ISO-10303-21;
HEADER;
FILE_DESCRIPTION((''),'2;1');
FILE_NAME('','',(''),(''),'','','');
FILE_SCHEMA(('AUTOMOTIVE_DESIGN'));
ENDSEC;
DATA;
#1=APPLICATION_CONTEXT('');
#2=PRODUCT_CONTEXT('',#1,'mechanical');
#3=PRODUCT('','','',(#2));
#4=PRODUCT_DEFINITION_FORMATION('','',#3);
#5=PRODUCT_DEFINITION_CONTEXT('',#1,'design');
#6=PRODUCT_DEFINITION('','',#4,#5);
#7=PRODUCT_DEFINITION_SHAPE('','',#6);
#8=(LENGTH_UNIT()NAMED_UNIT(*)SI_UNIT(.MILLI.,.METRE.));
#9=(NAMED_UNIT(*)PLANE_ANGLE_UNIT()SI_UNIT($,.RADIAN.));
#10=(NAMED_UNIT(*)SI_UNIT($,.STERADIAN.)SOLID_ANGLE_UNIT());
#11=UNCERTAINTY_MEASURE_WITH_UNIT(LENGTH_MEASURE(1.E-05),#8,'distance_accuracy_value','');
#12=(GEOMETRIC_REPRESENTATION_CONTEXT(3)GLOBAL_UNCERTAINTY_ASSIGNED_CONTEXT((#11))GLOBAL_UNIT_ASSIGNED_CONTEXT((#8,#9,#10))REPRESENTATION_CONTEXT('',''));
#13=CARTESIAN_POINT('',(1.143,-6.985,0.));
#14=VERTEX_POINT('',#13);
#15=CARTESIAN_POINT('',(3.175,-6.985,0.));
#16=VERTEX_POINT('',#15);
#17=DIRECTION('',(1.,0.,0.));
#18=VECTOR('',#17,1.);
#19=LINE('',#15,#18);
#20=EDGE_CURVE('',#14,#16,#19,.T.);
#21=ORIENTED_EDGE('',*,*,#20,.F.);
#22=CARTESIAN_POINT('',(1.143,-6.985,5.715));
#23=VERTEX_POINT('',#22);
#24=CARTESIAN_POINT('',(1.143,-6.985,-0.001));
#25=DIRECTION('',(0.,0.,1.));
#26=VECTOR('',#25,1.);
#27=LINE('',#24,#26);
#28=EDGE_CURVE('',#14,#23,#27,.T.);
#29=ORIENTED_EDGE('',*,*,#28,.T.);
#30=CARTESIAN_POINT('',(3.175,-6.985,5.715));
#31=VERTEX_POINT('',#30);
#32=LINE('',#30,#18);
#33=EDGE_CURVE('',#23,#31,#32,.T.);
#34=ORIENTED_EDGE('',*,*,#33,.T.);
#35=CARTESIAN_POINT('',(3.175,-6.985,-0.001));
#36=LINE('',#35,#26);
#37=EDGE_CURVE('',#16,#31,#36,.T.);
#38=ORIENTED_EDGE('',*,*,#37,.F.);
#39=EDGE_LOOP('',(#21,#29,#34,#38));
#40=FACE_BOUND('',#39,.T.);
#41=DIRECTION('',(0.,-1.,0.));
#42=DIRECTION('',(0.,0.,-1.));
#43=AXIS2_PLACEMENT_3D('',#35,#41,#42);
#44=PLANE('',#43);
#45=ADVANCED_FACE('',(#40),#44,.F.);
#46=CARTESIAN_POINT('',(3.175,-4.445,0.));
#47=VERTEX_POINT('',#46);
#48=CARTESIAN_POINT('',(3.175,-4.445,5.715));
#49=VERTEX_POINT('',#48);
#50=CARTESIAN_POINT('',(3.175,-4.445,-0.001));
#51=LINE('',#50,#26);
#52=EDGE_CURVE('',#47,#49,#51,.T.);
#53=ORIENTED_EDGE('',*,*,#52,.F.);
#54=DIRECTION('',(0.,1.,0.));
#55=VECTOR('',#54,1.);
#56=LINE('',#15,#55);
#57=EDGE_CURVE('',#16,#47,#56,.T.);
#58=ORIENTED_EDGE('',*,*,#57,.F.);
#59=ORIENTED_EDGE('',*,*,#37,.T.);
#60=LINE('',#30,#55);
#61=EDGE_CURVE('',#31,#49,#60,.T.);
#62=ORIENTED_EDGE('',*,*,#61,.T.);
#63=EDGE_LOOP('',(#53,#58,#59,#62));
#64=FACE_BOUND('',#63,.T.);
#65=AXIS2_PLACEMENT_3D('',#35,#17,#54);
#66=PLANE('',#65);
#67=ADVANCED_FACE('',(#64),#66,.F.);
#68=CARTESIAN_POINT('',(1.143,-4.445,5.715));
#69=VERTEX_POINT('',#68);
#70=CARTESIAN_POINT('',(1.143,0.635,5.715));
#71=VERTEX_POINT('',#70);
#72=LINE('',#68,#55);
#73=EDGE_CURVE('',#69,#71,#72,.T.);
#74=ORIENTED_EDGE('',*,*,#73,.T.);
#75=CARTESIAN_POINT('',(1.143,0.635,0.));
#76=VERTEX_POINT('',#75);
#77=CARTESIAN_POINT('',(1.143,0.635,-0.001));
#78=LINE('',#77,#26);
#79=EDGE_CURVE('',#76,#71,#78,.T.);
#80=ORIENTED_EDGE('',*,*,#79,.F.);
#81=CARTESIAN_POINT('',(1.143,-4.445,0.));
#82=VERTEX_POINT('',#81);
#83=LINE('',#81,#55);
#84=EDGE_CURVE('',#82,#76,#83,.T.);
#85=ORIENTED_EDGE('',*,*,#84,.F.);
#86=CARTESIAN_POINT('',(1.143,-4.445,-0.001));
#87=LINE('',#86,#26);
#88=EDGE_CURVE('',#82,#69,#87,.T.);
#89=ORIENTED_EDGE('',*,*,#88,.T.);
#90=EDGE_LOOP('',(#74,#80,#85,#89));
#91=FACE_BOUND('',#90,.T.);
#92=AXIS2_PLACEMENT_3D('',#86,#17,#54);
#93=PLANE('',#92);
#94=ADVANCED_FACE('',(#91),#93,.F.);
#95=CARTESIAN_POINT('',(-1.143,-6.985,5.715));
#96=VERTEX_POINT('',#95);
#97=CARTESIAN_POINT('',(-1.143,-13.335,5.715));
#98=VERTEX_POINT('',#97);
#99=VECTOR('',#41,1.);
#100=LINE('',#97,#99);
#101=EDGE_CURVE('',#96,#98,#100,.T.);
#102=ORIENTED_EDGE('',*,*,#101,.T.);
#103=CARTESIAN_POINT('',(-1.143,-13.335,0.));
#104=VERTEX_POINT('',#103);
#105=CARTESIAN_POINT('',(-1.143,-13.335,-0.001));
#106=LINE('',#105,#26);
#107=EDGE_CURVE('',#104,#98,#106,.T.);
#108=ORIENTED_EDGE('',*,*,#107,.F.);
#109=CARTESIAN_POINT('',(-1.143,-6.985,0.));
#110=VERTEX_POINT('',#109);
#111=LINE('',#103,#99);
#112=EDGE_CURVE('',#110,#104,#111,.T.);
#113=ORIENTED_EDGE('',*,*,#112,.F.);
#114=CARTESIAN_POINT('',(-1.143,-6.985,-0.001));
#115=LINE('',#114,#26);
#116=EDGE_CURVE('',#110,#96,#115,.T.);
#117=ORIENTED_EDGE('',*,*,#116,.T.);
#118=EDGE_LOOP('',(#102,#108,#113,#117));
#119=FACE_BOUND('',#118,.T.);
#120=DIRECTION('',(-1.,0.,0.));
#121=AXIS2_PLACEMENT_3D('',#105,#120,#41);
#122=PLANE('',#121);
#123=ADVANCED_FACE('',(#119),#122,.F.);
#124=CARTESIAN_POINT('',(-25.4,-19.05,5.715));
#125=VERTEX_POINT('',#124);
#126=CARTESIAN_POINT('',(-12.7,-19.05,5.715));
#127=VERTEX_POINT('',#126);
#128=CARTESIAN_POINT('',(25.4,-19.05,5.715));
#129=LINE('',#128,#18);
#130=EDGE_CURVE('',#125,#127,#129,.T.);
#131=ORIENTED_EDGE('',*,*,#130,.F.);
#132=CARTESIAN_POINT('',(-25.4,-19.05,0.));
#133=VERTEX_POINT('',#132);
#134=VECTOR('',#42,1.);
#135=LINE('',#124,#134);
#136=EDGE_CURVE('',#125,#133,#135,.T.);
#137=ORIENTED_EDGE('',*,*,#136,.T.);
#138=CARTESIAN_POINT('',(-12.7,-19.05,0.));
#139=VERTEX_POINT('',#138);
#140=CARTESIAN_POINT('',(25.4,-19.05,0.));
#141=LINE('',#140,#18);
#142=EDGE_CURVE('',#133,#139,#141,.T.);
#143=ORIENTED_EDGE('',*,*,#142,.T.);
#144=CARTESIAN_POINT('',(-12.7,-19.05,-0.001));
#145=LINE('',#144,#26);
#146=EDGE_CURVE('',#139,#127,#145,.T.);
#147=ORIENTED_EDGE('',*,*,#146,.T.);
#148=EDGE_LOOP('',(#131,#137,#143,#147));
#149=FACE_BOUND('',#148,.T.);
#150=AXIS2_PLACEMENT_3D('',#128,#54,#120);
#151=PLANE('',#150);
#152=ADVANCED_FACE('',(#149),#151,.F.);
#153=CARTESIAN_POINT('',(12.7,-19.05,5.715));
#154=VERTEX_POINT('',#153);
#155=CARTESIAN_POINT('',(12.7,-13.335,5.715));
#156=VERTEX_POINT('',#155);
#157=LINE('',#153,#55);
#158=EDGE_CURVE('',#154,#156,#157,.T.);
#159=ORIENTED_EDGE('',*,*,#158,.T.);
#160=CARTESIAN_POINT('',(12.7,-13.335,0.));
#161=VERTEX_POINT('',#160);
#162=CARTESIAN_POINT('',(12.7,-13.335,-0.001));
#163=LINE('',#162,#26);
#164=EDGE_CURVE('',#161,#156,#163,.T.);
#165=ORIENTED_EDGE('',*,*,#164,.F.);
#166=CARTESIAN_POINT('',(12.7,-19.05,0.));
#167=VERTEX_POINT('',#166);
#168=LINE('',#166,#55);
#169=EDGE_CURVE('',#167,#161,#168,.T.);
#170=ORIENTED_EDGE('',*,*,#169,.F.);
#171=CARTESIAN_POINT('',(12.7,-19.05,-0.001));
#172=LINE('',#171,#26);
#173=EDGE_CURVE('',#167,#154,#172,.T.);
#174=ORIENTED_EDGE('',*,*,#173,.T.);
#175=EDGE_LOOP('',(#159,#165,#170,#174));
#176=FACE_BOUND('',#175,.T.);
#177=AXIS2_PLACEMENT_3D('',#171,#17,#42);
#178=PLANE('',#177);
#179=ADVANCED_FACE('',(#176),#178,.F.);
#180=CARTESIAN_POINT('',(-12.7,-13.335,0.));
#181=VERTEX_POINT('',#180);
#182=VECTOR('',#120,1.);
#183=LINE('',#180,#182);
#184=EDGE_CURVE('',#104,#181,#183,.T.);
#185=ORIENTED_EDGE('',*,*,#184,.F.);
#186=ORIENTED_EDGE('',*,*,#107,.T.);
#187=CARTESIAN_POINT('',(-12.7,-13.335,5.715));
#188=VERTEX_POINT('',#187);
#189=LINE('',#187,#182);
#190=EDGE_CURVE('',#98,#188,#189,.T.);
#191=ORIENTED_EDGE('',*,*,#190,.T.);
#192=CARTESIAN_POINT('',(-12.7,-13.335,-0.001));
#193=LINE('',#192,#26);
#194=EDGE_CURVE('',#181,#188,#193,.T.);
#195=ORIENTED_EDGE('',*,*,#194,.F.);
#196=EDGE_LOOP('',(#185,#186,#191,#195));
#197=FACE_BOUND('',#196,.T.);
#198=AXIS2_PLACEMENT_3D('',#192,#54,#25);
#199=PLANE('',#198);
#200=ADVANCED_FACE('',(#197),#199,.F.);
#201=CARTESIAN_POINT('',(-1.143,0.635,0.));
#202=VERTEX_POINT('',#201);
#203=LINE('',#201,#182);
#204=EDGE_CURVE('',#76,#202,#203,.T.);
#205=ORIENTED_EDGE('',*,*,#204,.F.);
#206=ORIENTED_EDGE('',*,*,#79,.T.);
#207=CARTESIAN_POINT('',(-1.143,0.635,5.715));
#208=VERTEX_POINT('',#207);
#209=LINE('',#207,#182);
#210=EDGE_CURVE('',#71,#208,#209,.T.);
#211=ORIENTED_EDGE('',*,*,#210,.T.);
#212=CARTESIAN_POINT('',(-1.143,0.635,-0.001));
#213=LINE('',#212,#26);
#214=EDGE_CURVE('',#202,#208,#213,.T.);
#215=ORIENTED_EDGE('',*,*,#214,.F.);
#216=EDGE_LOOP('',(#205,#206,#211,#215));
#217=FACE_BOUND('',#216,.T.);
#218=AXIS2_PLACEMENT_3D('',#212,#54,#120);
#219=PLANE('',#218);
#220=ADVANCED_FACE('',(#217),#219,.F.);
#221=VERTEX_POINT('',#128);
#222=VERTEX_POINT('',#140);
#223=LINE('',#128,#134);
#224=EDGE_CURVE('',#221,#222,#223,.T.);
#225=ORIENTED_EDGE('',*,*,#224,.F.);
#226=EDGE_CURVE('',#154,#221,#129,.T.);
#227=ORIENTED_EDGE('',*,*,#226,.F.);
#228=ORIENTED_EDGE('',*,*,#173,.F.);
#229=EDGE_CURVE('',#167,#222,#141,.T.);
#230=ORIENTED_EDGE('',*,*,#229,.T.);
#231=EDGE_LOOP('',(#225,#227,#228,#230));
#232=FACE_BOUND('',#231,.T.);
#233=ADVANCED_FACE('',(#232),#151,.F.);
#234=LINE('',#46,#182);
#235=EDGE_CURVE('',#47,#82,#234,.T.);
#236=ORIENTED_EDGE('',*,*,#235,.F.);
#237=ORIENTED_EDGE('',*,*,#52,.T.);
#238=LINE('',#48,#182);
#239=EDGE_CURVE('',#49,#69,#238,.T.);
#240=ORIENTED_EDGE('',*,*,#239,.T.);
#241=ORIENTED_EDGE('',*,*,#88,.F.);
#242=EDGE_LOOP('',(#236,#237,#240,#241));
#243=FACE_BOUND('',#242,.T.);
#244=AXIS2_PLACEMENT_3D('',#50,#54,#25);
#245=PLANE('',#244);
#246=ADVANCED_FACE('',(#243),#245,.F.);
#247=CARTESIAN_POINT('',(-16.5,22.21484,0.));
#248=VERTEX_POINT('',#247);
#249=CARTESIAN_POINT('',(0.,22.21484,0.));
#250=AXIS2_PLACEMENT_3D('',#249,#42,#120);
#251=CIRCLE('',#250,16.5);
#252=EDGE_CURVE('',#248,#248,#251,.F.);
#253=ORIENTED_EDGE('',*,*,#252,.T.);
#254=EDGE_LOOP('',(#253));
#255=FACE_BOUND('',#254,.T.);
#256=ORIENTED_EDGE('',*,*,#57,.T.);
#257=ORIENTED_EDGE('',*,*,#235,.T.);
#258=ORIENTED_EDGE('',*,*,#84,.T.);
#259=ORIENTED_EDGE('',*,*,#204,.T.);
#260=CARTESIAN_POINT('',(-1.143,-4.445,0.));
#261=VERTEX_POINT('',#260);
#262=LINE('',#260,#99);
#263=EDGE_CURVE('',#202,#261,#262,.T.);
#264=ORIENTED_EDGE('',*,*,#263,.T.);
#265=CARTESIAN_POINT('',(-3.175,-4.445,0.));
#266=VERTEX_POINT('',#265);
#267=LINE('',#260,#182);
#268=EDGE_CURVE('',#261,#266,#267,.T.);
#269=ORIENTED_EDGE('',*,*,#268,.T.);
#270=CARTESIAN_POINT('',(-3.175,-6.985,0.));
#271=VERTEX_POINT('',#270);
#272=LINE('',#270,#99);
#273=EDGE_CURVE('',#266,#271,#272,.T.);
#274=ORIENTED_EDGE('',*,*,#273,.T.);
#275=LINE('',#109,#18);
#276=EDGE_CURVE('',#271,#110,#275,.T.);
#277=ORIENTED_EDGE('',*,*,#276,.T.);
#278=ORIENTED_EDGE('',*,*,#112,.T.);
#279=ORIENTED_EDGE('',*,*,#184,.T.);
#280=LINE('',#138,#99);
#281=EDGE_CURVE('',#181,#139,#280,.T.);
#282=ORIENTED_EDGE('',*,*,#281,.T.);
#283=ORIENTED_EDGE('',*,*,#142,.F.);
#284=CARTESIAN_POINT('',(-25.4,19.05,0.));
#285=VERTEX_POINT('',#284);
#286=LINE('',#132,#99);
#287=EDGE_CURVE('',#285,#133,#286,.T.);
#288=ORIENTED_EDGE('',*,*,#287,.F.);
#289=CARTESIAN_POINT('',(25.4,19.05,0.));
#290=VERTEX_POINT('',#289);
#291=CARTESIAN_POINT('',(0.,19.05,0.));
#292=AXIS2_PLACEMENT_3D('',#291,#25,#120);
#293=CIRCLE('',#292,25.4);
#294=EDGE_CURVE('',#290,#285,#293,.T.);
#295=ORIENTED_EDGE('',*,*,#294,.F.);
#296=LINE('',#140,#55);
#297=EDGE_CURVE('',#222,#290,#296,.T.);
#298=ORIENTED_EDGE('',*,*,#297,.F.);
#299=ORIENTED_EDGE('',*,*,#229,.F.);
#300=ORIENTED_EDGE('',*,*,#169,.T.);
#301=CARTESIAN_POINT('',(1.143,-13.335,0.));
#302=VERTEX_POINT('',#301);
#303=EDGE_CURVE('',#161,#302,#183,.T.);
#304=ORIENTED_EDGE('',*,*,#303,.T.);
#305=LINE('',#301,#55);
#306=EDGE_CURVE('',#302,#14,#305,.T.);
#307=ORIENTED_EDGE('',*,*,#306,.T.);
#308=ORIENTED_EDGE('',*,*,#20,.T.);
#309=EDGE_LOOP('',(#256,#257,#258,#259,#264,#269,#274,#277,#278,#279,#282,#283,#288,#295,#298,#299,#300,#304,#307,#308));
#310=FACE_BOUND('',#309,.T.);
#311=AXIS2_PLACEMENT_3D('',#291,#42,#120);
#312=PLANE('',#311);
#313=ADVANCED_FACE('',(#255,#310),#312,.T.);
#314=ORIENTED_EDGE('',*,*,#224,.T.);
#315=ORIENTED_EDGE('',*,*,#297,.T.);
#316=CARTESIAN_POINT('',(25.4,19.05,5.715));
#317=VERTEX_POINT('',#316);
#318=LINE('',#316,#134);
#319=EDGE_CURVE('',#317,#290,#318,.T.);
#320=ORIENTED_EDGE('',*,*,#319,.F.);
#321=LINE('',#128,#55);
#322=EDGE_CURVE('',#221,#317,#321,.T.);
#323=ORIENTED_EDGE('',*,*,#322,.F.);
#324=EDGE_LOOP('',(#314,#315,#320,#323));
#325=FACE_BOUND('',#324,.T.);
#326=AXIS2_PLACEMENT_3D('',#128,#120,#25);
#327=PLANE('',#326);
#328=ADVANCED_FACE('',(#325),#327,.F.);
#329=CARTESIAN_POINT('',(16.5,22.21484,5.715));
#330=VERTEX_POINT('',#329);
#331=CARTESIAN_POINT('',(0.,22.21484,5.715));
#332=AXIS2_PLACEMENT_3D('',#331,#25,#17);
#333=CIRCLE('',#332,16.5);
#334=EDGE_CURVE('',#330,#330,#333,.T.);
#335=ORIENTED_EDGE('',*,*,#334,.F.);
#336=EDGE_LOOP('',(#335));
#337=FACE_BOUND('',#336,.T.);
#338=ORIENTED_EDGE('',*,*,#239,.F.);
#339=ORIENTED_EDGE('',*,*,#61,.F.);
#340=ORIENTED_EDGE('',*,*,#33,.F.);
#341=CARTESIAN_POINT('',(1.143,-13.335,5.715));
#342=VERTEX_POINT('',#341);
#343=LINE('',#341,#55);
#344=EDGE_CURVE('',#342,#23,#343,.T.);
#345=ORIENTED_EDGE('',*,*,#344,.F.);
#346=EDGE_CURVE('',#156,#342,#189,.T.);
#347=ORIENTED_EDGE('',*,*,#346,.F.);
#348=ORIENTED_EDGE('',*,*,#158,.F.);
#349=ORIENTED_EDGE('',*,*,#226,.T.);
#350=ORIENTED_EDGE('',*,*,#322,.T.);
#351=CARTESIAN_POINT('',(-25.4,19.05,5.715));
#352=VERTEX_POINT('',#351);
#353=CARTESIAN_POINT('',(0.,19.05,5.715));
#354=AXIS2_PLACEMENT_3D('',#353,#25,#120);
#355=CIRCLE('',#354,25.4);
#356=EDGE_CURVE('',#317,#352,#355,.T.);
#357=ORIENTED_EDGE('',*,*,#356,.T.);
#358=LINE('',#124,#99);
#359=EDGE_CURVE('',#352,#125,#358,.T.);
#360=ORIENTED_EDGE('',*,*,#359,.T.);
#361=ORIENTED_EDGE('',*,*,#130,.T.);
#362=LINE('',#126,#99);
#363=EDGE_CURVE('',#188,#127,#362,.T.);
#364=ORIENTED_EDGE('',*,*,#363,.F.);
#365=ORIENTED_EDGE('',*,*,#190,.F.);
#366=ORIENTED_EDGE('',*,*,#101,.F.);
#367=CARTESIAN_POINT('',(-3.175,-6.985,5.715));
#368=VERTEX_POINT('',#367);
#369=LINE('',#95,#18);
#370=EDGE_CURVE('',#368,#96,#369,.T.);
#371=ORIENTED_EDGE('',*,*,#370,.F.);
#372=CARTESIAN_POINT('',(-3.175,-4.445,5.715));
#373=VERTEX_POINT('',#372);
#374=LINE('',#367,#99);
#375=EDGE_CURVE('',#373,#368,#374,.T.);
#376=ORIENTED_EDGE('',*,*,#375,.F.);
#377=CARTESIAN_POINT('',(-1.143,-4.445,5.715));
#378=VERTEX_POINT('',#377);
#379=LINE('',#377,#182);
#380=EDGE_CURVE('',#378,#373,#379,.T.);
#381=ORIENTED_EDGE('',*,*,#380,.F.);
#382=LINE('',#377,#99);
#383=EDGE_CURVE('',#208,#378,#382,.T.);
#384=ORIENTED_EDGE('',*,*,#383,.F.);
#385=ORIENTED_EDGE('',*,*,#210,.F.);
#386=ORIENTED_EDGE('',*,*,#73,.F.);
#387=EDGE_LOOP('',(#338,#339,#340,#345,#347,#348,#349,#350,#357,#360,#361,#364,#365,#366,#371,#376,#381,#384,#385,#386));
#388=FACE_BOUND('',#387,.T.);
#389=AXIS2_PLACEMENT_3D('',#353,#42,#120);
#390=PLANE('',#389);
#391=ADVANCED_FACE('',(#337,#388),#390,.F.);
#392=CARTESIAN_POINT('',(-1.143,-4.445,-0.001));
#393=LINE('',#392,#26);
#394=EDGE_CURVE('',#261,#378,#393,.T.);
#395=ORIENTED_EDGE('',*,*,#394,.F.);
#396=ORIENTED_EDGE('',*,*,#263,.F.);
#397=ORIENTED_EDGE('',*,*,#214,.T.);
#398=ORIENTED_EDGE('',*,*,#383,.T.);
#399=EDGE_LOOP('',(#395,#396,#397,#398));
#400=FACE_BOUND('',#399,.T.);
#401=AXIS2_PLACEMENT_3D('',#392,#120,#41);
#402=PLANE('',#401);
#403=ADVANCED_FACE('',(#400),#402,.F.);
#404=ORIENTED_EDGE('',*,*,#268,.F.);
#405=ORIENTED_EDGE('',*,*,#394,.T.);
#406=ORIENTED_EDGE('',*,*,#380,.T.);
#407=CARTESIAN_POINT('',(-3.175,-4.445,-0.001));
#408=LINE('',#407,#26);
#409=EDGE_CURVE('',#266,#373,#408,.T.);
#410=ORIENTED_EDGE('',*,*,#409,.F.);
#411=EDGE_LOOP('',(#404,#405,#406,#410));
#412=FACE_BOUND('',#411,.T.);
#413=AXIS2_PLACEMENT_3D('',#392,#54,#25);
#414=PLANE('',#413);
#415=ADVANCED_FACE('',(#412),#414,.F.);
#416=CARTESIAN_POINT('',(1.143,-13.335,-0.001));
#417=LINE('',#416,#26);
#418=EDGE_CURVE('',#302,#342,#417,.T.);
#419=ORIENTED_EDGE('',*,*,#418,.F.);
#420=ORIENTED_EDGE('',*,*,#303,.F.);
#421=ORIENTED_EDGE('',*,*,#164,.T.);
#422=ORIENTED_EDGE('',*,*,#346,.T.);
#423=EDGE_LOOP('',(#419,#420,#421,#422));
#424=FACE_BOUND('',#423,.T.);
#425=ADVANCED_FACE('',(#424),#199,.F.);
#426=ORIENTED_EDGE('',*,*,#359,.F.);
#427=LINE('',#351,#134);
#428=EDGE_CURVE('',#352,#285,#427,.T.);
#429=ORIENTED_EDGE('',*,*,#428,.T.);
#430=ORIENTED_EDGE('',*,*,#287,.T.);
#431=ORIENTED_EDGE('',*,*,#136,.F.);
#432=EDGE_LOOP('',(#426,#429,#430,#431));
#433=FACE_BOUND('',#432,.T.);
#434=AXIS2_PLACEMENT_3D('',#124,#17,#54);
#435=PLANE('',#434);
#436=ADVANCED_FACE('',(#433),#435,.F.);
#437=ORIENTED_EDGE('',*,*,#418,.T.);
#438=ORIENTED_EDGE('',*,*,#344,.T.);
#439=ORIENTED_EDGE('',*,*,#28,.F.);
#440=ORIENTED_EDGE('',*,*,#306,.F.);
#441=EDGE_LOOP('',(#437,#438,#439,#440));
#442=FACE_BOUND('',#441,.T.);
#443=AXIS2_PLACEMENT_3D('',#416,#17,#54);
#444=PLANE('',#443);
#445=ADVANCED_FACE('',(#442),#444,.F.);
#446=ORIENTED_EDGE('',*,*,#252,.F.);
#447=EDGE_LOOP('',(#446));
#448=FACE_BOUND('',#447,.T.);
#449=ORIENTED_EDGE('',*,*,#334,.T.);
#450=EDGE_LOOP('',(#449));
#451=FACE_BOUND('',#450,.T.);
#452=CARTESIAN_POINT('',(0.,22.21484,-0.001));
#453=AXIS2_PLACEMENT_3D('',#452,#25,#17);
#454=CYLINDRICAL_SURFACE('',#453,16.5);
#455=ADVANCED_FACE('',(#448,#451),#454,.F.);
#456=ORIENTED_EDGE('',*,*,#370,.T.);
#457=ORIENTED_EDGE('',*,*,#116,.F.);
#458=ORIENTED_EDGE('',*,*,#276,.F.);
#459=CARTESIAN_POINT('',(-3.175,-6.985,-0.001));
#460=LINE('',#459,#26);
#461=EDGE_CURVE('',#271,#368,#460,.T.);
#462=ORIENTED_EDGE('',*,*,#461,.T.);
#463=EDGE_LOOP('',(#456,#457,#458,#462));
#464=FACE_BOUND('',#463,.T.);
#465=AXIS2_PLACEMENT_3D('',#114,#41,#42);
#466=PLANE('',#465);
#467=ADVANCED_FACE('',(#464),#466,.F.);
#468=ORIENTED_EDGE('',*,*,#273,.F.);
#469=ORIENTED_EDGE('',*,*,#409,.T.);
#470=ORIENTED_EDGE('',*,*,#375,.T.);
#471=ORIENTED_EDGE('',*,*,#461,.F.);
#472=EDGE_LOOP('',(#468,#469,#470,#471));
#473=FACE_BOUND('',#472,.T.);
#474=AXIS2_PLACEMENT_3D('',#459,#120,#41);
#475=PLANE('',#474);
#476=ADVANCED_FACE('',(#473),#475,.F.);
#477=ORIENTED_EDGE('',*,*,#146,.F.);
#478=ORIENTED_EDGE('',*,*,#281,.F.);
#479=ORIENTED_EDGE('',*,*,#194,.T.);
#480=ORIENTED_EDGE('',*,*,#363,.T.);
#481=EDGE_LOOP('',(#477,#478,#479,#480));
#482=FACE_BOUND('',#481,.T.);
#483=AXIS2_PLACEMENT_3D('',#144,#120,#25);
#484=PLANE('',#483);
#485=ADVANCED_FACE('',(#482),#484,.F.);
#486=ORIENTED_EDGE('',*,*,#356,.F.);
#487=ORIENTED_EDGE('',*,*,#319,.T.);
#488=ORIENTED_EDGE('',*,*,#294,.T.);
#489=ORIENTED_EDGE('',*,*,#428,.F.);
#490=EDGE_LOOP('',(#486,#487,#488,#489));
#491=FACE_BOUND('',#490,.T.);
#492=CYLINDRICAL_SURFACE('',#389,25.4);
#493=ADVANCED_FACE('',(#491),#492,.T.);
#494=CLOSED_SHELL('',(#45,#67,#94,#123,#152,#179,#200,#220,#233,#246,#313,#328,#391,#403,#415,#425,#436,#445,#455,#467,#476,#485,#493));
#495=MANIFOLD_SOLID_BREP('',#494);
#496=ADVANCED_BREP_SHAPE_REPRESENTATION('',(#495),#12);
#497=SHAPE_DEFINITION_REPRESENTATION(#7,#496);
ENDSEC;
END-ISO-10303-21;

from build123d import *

# Parameters (mm, degrees)
BOSS_EXTRUDE1_DEPTH = 5.715
CUT_EXTRUDE1_REACH  = 53.513
SKETCH2_R           = 16.5
CUT_EXTRUDE2_REACH  = 53.513
SKETCH3_W           = 25.4
SKETCH3_H           = 5.715
CUT_EXTRUDE4_REACH  = 53.513


with BuildPart() as part:
    # Sketch1 → Boss-Extrude1 (new body)
    with BuildSketch(Plane.XY):
        with BuildLine():
            Line((25.4, -19.05), (-25.4, -19.05))
            Line((-25.4, -19.05), (-25.4, 19.05))
            ThreePointArc((-25.4, 19.05), (0, 44.45), (25.4, 19.05))
            Line((25.4, 19.05), (25.4, -19.05))
        make_face()
    extrude(amount=BOSS_EXTRUDE1_DEPTH)

    # Sketch2 → Cut-Extrude1 (cut, up to next)
    with BuildSketch(Plane.XY.offset(5.715), mode=Mode.PRIVATE) as cut_extrude1_sk1:
        with Locations((0, 22.21484)):
            Circle(SKETCH2_R)
    cut_extrude1_tool1 = extrude(cut_extrude1_sk1.sketch, amount=-CUT_EXTRUDE1_REACH, mode=Mode.PRIVATE) & part.part
    add(cut_extrude1_tool1.solids().sort_by_distance((0, 22.21484, 5.715))[0], mode=Mode.SUBTRACT)

    # Sketch3 → Cut-Extrude2 (cut, up to next)
    with BuildSketch(Plane.XY.offset(5.715), mode=Mode.PRIVATE) as cut_extrude2_sk1:
        with Locations((0, -16.1925)):
            Rectangle(SKETCH3_W, SKETCH3_H)
    cut_extrude2_tool1 = extrude(cut_extrude2_sk1.sketch, amount=-CUT_EXTRUDE2_REACH, mode=Mode.PRIVATE) & part.part
    add(cut_extrude2_tool1.solids().sort_by_distance((0, -16.1925, 5.715))[0], mode=Mode.SUBTRACT)

    # Sketch5 → Cut-Extrude4 (cut, up to next)
    with BuildSketch(Plane.XY.offset(5.715), mode=Mode.PRIVATE) as cut_extrude4_sk1:
        Polygon((3.175, -6.985), (1.143, -6.985), (1.143, -13.335), (-1.143, -13.335), (-1.143, -6.985), (-3.175, -6.985), (-3.175, -4.445), (-1.143, -4.445), (-1.143, 0.635), (1.143, 0.635), (1.143, -4.445), (3.175, -4.445), align=None)
    cut_extrude4_tool1 = extrude(cut_extrude4_sk1.sketch, amount=-CUT_EXTRUDE4_REACH, mode=Mode.PRIVATE) & part.part
    add(cut_extrude4_tool1.solids().sort_by_distance((0, -6.194885, 5.715))[0], mode=Mode.SUBTRACT)


solid = part.part
